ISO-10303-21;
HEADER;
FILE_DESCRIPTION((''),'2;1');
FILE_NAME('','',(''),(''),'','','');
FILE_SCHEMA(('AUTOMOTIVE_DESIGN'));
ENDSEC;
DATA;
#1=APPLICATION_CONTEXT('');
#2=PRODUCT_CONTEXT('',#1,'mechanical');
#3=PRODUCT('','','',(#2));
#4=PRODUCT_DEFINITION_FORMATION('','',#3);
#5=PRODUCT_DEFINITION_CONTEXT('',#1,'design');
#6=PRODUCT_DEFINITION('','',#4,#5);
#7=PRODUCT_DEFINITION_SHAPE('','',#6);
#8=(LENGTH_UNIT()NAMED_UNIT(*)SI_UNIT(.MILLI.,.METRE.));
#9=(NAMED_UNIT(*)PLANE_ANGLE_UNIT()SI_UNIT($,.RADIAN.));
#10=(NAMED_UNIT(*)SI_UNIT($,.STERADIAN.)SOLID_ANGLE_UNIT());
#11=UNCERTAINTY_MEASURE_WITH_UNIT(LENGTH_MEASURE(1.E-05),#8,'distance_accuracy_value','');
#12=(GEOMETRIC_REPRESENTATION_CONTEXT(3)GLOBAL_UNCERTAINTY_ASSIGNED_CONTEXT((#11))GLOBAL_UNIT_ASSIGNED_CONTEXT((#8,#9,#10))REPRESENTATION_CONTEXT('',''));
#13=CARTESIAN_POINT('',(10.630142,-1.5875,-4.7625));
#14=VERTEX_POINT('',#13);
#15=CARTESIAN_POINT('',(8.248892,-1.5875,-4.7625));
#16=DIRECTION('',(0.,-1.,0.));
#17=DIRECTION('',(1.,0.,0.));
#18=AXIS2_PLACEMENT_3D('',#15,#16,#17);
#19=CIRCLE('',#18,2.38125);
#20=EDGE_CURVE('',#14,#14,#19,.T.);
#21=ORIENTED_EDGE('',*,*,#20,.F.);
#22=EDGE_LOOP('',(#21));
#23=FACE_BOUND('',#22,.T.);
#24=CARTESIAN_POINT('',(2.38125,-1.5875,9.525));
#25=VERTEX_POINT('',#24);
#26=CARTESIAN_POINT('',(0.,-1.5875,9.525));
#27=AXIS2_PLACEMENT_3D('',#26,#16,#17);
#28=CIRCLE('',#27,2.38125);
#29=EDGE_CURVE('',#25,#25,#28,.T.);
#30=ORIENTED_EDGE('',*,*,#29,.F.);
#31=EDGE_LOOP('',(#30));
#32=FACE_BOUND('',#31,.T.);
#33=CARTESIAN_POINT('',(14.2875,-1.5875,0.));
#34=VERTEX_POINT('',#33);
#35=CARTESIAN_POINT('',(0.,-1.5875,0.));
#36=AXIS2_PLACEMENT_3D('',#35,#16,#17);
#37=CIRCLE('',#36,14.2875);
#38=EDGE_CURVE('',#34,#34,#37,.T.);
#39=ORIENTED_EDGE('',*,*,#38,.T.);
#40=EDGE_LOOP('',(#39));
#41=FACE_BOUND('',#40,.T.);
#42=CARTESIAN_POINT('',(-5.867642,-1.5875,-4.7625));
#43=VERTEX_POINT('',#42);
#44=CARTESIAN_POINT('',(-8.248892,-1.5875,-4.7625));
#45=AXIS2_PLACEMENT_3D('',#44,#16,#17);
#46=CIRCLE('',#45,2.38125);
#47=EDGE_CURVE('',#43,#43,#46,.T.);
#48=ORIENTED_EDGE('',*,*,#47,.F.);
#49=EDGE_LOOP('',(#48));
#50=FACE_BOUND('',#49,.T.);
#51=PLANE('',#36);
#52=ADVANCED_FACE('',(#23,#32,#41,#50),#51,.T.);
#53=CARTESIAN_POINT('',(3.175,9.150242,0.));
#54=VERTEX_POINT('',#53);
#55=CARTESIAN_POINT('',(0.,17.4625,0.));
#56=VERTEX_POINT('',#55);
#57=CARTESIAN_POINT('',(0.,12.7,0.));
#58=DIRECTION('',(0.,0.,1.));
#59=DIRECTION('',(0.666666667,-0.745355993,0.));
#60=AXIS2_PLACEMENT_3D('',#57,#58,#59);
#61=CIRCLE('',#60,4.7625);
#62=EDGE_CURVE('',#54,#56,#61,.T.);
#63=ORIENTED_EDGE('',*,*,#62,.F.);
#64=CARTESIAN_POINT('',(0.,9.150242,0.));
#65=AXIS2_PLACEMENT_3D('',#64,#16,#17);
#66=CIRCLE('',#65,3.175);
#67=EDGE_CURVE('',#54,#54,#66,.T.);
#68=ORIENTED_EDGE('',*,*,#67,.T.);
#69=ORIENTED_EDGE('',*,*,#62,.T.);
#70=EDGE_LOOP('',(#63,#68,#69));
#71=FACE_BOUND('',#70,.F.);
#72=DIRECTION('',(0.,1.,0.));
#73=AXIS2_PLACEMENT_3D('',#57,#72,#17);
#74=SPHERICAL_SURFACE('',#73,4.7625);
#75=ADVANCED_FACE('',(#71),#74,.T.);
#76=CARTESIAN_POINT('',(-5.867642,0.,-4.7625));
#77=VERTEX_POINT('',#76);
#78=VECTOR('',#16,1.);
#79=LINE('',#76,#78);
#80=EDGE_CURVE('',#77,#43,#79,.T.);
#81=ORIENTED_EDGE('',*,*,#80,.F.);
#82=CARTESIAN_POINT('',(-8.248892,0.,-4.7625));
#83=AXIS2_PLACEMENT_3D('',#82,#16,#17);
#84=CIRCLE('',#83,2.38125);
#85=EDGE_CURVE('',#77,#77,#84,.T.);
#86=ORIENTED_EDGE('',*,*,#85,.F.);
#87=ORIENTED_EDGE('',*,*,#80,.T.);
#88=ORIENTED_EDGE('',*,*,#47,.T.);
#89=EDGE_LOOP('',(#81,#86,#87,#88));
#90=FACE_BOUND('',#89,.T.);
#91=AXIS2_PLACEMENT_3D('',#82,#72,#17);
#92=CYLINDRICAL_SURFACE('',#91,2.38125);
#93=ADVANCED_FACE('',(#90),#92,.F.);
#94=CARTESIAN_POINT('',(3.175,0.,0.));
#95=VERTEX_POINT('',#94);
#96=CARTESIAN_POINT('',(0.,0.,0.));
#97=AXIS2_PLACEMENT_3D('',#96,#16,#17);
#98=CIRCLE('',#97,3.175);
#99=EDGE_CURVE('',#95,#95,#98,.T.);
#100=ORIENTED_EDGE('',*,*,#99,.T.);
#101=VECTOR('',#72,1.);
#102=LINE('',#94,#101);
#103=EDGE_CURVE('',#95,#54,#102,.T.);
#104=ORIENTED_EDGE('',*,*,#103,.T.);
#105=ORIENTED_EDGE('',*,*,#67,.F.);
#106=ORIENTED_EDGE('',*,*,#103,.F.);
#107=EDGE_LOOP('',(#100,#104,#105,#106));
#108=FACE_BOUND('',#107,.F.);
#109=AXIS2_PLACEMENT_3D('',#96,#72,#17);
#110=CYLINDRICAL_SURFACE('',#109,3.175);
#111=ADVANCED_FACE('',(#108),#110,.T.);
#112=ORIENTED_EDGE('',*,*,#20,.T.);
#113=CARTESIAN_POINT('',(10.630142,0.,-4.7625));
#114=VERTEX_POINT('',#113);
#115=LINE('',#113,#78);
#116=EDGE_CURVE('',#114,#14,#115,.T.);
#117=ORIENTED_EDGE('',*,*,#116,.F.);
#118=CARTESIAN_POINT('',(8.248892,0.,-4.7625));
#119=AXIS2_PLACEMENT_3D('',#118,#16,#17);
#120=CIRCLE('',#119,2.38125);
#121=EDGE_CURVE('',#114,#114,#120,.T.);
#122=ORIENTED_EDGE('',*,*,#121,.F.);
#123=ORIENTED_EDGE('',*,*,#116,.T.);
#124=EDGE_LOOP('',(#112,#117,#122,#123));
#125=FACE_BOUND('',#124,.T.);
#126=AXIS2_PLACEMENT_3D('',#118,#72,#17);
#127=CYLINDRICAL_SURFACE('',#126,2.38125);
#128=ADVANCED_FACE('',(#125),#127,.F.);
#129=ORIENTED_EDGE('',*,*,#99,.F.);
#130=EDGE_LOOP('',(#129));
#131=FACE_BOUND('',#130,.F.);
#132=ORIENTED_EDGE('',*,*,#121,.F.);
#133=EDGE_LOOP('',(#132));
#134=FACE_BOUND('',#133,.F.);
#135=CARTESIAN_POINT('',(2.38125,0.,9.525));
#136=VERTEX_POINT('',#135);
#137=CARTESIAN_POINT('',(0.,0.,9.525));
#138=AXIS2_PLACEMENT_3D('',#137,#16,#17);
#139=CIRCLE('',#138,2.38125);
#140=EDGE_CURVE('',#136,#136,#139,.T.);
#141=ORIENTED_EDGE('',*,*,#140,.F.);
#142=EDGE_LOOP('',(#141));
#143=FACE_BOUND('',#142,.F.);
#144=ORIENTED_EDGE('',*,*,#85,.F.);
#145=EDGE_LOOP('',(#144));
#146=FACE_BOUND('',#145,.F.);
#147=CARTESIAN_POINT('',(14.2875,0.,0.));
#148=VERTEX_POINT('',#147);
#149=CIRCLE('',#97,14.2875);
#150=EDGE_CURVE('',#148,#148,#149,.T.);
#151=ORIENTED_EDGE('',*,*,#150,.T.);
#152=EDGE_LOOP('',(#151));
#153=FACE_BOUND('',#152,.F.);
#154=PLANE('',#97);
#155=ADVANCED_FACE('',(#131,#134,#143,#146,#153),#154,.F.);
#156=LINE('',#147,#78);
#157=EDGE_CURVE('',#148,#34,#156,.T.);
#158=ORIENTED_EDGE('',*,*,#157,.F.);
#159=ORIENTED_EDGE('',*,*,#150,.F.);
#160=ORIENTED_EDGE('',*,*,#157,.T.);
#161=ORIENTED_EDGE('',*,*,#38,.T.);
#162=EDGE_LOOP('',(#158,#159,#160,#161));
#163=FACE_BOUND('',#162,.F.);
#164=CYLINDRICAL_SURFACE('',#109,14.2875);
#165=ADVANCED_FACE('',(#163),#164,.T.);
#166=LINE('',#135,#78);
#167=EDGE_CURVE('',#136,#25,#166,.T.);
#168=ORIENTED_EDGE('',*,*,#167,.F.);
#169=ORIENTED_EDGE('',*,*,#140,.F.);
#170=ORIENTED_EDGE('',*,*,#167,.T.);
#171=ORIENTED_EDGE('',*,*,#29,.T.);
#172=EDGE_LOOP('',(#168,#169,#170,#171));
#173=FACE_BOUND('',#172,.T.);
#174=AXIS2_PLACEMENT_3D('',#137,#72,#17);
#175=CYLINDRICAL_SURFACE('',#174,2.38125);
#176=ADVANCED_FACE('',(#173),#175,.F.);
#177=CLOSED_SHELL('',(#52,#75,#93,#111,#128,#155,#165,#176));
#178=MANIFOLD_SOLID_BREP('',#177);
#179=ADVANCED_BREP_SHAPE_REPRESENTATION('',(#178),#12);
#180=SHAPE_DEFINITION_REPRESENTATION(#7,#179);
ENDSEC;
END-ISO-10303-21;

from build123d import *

# Parameters (mm, degrees)
F0_R     = 14.2875
F0_R_2   = 2.38125
F1_DEPTH = 1.5875


with BuildPart() as f1:
    # F0 (on Front) → F1 (new body)
    with BuildSketch(Plane.XZ):
        Circle(F0_R)
        with Locations((-8.248891971, -4.7625)):
            Circle(F0_R_2, mode=Mode.SUBTRACT)
        with Locations((8.248891971, -4.7625)):
            Circle(F0_R_2, mode=Mode.SUBTRACT)
        with Locations((0, 9.525)):
            Circle(F0_R_2, mode=Mode.SUBTRACT)
    extrude(amount=F1_DEPTH)

    # F2 (on Top) → F3 (revolve)
    with BuildSketch(Plane.XY):
        with BuildLine():
            Line((0, 0), (3.175, 0))
            Line((3.175, 0), (3.175, 9.1502420857))
            ThreePointArc((3.175, 9.1502420857), (1.6993652025, 8.2510041404), (0, 7.9375))
            Line((0, 7.9375), (0, 0))
        make_face()
        with BuildLine():
            ThreePointArc((0, 7.9375), (1.6993652025, 8.2510041404), (3.175, 9.1502420857))
            ThreePointArc((3.175, 9.1502420857), (4.4489958596, 14.3993652025), (0, 17.4625))
            Line((0, 17.4625), (0, 12.7))
            Line((0, 12.7), (0, 7.9375))
        make_face()
    revolve(axis=Axis((0, 6.35, 0), (0, -1, 0)))


solid = f1.part
